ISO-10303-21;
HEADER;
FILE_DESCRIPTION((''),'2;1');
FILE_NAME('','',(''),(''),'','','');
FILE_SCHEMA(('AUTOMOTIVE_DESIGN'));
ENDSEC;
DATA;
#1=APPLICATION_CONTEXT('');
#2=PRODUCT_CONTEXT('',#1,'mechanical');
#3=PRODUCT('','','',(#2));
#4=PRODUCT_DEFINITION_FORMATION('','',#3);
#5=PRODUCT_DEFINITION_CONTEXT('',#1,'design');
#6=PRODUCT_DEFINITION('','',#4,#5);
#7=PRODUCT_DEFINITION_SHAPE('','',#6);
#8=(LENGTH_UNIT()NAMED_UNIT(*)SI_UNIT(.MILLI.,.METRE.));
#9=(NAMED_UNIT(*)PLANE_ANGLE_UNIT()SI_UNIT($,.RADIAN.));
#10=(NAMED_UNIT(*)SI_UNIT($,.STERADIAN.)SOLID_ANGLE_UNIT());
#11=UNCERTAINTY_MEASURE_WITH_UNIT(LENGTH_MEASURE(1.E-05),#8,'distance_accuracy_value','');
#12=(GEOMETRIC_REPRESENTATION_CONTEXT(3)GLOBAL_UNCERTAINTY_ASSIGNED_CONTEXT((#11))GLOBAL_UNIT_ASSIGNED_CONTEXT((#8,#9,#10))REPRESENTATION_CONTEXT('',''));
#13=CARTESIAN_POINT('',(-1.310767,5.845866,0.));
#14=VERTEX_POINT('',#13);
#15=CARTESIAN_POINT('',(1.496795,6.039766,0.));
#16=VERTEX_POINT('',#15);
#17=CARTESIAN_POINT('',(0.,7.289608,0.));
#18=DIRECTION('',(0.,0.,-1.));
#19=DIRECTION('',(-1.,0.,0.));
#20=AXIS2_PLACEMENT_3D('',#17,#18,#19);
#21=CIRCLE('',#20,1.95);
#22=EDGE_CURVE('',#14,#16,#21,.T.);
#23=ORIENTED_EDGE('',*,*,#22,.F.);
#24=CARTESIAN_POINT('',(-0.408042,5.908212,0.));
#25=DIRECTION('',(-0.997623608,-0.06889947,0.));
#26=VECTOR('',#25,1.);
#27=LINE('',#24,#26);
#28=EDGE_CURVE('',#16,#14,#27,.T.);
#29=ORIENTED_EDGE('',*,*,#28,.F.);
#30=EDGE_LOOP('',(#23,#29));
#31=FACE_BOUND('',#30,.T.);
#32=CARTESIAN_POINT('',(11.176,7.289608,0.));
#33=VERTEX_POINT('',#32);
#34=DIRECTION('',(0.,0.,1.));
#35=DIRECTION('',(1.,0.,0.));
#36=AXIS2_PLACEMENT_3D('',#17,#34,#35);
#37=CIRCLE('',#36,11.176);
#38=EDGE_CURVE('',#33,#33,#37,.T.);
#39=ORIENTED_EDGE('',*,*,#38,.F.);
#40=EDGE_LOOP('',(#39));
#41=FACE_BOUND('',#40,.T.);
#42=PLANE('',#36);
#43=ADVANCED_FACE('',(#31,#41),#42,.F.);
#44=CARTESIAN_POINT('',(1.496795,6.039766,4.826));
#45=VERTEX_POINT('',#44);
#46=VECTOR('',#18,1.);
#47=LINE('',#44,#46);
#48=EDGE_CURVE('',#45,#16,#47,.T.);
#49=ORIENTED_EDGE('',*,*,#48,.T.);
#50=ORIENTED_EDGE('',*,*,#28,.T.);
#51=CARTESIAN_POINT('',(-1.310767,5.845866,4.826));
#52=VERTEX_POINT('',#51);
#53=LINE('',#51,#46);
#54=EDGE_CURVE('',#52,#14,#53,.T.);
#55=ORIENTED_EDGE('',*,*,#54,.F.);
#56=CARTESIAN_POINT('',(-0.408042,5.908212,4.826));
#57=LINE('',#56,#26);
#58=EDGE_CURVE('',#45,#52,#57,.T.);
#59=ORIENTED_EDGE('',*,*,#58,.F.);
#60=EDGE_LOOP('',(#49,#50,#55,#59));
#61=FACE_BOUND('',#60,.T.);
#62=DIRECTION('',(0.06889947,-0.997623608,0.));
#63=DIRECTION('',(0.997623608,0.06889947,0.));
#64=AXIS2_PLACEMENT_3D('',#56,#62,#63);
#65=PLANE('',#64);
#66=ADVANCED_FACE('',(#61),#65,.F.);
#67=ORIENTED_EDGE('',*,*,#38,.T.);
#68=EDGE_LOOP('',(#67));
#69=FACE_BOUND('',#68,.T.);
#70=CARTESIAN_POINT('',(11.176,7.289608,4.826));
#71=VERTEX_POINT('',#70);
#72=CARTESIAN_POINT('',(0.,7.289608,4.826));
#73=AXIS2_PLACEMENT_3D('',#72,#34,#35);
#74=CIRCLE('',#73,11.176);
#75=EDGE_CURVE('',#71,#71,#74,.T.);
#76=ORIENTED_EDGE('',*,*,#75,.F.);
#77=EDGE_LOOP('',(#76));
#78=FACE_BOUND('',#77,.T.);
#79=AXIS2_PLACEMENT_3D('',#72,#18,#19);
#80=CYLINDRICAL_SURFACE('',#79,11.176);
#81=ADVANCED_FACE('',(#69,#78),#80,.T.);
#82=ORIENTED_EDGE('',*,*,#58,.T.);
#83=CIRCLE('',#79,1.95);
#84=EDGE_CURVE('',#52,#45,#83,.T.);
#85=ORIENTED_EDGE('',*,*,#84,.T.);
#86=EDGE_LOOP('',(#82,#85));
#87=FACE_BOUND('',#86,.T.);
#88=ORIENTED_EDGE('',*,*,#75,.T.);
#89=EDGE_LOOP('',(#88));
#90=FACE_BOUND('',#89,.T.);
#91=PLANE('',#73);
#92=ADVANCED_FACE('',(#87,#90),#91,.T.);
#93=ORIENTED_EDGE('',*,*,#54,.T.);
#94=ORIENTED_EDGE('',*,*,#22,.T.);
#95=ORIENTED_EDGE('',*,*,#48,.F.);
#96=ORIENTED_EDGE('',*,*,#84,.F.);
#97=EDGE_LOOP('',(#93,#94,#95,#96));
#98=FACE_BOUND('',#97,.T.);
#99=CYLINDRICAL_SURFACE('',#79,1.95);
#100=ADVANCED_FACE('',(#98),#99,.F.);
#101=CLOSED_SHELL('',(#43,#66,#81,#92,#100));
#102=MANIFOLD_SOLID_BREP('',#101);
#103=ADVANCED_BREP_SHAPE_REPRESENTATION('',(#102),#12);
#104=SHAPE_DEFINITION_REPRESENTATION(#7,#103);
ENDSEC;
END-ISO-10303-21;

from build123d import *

# Parameters (mm, degrees)
SKETCH1_R           = 11.176
BOSS_EXTRUDE1_DEPTH = 4.826
CUT_EXTRUDE1_DEPTH  = 23.117231703


with BuildPart() as part:
    # Sketch1 → Boss-Extrude1 (new body)
    with BuildSketch(Plane.XY):
        with Locations((0, 7.2896082)):
            Circle(SKETCH1_R)
    extrude(amount=BOSS_EXTRUDE1_DEPTH)

    # Sketch2 → Cut-Extrude1 (cut, through all)
    with BuildSketch(Plane(origin=(0, 0, 0), x_dir=(-1, 0, 0), z_dir=(0, 0, -1))):
        with BuildLine():
            ThreePointArc((1.95, 7.2896082), (-0.664736598, 9.122809022), (-1.496795133, 6.039766478))
            Line((-1.496795133, 6.039766478), (1.310766563, 5.845866181))
            ThreePointArc((1.310766563, 5.845866181), (1.783044419, 6.50014471), (1.95, 7.2896082))
        make_face()
    extrude(amount=-CUT_EXTRUDE1_DEPTH, mode=Mode.SUBTRACT)


solid = part.part
